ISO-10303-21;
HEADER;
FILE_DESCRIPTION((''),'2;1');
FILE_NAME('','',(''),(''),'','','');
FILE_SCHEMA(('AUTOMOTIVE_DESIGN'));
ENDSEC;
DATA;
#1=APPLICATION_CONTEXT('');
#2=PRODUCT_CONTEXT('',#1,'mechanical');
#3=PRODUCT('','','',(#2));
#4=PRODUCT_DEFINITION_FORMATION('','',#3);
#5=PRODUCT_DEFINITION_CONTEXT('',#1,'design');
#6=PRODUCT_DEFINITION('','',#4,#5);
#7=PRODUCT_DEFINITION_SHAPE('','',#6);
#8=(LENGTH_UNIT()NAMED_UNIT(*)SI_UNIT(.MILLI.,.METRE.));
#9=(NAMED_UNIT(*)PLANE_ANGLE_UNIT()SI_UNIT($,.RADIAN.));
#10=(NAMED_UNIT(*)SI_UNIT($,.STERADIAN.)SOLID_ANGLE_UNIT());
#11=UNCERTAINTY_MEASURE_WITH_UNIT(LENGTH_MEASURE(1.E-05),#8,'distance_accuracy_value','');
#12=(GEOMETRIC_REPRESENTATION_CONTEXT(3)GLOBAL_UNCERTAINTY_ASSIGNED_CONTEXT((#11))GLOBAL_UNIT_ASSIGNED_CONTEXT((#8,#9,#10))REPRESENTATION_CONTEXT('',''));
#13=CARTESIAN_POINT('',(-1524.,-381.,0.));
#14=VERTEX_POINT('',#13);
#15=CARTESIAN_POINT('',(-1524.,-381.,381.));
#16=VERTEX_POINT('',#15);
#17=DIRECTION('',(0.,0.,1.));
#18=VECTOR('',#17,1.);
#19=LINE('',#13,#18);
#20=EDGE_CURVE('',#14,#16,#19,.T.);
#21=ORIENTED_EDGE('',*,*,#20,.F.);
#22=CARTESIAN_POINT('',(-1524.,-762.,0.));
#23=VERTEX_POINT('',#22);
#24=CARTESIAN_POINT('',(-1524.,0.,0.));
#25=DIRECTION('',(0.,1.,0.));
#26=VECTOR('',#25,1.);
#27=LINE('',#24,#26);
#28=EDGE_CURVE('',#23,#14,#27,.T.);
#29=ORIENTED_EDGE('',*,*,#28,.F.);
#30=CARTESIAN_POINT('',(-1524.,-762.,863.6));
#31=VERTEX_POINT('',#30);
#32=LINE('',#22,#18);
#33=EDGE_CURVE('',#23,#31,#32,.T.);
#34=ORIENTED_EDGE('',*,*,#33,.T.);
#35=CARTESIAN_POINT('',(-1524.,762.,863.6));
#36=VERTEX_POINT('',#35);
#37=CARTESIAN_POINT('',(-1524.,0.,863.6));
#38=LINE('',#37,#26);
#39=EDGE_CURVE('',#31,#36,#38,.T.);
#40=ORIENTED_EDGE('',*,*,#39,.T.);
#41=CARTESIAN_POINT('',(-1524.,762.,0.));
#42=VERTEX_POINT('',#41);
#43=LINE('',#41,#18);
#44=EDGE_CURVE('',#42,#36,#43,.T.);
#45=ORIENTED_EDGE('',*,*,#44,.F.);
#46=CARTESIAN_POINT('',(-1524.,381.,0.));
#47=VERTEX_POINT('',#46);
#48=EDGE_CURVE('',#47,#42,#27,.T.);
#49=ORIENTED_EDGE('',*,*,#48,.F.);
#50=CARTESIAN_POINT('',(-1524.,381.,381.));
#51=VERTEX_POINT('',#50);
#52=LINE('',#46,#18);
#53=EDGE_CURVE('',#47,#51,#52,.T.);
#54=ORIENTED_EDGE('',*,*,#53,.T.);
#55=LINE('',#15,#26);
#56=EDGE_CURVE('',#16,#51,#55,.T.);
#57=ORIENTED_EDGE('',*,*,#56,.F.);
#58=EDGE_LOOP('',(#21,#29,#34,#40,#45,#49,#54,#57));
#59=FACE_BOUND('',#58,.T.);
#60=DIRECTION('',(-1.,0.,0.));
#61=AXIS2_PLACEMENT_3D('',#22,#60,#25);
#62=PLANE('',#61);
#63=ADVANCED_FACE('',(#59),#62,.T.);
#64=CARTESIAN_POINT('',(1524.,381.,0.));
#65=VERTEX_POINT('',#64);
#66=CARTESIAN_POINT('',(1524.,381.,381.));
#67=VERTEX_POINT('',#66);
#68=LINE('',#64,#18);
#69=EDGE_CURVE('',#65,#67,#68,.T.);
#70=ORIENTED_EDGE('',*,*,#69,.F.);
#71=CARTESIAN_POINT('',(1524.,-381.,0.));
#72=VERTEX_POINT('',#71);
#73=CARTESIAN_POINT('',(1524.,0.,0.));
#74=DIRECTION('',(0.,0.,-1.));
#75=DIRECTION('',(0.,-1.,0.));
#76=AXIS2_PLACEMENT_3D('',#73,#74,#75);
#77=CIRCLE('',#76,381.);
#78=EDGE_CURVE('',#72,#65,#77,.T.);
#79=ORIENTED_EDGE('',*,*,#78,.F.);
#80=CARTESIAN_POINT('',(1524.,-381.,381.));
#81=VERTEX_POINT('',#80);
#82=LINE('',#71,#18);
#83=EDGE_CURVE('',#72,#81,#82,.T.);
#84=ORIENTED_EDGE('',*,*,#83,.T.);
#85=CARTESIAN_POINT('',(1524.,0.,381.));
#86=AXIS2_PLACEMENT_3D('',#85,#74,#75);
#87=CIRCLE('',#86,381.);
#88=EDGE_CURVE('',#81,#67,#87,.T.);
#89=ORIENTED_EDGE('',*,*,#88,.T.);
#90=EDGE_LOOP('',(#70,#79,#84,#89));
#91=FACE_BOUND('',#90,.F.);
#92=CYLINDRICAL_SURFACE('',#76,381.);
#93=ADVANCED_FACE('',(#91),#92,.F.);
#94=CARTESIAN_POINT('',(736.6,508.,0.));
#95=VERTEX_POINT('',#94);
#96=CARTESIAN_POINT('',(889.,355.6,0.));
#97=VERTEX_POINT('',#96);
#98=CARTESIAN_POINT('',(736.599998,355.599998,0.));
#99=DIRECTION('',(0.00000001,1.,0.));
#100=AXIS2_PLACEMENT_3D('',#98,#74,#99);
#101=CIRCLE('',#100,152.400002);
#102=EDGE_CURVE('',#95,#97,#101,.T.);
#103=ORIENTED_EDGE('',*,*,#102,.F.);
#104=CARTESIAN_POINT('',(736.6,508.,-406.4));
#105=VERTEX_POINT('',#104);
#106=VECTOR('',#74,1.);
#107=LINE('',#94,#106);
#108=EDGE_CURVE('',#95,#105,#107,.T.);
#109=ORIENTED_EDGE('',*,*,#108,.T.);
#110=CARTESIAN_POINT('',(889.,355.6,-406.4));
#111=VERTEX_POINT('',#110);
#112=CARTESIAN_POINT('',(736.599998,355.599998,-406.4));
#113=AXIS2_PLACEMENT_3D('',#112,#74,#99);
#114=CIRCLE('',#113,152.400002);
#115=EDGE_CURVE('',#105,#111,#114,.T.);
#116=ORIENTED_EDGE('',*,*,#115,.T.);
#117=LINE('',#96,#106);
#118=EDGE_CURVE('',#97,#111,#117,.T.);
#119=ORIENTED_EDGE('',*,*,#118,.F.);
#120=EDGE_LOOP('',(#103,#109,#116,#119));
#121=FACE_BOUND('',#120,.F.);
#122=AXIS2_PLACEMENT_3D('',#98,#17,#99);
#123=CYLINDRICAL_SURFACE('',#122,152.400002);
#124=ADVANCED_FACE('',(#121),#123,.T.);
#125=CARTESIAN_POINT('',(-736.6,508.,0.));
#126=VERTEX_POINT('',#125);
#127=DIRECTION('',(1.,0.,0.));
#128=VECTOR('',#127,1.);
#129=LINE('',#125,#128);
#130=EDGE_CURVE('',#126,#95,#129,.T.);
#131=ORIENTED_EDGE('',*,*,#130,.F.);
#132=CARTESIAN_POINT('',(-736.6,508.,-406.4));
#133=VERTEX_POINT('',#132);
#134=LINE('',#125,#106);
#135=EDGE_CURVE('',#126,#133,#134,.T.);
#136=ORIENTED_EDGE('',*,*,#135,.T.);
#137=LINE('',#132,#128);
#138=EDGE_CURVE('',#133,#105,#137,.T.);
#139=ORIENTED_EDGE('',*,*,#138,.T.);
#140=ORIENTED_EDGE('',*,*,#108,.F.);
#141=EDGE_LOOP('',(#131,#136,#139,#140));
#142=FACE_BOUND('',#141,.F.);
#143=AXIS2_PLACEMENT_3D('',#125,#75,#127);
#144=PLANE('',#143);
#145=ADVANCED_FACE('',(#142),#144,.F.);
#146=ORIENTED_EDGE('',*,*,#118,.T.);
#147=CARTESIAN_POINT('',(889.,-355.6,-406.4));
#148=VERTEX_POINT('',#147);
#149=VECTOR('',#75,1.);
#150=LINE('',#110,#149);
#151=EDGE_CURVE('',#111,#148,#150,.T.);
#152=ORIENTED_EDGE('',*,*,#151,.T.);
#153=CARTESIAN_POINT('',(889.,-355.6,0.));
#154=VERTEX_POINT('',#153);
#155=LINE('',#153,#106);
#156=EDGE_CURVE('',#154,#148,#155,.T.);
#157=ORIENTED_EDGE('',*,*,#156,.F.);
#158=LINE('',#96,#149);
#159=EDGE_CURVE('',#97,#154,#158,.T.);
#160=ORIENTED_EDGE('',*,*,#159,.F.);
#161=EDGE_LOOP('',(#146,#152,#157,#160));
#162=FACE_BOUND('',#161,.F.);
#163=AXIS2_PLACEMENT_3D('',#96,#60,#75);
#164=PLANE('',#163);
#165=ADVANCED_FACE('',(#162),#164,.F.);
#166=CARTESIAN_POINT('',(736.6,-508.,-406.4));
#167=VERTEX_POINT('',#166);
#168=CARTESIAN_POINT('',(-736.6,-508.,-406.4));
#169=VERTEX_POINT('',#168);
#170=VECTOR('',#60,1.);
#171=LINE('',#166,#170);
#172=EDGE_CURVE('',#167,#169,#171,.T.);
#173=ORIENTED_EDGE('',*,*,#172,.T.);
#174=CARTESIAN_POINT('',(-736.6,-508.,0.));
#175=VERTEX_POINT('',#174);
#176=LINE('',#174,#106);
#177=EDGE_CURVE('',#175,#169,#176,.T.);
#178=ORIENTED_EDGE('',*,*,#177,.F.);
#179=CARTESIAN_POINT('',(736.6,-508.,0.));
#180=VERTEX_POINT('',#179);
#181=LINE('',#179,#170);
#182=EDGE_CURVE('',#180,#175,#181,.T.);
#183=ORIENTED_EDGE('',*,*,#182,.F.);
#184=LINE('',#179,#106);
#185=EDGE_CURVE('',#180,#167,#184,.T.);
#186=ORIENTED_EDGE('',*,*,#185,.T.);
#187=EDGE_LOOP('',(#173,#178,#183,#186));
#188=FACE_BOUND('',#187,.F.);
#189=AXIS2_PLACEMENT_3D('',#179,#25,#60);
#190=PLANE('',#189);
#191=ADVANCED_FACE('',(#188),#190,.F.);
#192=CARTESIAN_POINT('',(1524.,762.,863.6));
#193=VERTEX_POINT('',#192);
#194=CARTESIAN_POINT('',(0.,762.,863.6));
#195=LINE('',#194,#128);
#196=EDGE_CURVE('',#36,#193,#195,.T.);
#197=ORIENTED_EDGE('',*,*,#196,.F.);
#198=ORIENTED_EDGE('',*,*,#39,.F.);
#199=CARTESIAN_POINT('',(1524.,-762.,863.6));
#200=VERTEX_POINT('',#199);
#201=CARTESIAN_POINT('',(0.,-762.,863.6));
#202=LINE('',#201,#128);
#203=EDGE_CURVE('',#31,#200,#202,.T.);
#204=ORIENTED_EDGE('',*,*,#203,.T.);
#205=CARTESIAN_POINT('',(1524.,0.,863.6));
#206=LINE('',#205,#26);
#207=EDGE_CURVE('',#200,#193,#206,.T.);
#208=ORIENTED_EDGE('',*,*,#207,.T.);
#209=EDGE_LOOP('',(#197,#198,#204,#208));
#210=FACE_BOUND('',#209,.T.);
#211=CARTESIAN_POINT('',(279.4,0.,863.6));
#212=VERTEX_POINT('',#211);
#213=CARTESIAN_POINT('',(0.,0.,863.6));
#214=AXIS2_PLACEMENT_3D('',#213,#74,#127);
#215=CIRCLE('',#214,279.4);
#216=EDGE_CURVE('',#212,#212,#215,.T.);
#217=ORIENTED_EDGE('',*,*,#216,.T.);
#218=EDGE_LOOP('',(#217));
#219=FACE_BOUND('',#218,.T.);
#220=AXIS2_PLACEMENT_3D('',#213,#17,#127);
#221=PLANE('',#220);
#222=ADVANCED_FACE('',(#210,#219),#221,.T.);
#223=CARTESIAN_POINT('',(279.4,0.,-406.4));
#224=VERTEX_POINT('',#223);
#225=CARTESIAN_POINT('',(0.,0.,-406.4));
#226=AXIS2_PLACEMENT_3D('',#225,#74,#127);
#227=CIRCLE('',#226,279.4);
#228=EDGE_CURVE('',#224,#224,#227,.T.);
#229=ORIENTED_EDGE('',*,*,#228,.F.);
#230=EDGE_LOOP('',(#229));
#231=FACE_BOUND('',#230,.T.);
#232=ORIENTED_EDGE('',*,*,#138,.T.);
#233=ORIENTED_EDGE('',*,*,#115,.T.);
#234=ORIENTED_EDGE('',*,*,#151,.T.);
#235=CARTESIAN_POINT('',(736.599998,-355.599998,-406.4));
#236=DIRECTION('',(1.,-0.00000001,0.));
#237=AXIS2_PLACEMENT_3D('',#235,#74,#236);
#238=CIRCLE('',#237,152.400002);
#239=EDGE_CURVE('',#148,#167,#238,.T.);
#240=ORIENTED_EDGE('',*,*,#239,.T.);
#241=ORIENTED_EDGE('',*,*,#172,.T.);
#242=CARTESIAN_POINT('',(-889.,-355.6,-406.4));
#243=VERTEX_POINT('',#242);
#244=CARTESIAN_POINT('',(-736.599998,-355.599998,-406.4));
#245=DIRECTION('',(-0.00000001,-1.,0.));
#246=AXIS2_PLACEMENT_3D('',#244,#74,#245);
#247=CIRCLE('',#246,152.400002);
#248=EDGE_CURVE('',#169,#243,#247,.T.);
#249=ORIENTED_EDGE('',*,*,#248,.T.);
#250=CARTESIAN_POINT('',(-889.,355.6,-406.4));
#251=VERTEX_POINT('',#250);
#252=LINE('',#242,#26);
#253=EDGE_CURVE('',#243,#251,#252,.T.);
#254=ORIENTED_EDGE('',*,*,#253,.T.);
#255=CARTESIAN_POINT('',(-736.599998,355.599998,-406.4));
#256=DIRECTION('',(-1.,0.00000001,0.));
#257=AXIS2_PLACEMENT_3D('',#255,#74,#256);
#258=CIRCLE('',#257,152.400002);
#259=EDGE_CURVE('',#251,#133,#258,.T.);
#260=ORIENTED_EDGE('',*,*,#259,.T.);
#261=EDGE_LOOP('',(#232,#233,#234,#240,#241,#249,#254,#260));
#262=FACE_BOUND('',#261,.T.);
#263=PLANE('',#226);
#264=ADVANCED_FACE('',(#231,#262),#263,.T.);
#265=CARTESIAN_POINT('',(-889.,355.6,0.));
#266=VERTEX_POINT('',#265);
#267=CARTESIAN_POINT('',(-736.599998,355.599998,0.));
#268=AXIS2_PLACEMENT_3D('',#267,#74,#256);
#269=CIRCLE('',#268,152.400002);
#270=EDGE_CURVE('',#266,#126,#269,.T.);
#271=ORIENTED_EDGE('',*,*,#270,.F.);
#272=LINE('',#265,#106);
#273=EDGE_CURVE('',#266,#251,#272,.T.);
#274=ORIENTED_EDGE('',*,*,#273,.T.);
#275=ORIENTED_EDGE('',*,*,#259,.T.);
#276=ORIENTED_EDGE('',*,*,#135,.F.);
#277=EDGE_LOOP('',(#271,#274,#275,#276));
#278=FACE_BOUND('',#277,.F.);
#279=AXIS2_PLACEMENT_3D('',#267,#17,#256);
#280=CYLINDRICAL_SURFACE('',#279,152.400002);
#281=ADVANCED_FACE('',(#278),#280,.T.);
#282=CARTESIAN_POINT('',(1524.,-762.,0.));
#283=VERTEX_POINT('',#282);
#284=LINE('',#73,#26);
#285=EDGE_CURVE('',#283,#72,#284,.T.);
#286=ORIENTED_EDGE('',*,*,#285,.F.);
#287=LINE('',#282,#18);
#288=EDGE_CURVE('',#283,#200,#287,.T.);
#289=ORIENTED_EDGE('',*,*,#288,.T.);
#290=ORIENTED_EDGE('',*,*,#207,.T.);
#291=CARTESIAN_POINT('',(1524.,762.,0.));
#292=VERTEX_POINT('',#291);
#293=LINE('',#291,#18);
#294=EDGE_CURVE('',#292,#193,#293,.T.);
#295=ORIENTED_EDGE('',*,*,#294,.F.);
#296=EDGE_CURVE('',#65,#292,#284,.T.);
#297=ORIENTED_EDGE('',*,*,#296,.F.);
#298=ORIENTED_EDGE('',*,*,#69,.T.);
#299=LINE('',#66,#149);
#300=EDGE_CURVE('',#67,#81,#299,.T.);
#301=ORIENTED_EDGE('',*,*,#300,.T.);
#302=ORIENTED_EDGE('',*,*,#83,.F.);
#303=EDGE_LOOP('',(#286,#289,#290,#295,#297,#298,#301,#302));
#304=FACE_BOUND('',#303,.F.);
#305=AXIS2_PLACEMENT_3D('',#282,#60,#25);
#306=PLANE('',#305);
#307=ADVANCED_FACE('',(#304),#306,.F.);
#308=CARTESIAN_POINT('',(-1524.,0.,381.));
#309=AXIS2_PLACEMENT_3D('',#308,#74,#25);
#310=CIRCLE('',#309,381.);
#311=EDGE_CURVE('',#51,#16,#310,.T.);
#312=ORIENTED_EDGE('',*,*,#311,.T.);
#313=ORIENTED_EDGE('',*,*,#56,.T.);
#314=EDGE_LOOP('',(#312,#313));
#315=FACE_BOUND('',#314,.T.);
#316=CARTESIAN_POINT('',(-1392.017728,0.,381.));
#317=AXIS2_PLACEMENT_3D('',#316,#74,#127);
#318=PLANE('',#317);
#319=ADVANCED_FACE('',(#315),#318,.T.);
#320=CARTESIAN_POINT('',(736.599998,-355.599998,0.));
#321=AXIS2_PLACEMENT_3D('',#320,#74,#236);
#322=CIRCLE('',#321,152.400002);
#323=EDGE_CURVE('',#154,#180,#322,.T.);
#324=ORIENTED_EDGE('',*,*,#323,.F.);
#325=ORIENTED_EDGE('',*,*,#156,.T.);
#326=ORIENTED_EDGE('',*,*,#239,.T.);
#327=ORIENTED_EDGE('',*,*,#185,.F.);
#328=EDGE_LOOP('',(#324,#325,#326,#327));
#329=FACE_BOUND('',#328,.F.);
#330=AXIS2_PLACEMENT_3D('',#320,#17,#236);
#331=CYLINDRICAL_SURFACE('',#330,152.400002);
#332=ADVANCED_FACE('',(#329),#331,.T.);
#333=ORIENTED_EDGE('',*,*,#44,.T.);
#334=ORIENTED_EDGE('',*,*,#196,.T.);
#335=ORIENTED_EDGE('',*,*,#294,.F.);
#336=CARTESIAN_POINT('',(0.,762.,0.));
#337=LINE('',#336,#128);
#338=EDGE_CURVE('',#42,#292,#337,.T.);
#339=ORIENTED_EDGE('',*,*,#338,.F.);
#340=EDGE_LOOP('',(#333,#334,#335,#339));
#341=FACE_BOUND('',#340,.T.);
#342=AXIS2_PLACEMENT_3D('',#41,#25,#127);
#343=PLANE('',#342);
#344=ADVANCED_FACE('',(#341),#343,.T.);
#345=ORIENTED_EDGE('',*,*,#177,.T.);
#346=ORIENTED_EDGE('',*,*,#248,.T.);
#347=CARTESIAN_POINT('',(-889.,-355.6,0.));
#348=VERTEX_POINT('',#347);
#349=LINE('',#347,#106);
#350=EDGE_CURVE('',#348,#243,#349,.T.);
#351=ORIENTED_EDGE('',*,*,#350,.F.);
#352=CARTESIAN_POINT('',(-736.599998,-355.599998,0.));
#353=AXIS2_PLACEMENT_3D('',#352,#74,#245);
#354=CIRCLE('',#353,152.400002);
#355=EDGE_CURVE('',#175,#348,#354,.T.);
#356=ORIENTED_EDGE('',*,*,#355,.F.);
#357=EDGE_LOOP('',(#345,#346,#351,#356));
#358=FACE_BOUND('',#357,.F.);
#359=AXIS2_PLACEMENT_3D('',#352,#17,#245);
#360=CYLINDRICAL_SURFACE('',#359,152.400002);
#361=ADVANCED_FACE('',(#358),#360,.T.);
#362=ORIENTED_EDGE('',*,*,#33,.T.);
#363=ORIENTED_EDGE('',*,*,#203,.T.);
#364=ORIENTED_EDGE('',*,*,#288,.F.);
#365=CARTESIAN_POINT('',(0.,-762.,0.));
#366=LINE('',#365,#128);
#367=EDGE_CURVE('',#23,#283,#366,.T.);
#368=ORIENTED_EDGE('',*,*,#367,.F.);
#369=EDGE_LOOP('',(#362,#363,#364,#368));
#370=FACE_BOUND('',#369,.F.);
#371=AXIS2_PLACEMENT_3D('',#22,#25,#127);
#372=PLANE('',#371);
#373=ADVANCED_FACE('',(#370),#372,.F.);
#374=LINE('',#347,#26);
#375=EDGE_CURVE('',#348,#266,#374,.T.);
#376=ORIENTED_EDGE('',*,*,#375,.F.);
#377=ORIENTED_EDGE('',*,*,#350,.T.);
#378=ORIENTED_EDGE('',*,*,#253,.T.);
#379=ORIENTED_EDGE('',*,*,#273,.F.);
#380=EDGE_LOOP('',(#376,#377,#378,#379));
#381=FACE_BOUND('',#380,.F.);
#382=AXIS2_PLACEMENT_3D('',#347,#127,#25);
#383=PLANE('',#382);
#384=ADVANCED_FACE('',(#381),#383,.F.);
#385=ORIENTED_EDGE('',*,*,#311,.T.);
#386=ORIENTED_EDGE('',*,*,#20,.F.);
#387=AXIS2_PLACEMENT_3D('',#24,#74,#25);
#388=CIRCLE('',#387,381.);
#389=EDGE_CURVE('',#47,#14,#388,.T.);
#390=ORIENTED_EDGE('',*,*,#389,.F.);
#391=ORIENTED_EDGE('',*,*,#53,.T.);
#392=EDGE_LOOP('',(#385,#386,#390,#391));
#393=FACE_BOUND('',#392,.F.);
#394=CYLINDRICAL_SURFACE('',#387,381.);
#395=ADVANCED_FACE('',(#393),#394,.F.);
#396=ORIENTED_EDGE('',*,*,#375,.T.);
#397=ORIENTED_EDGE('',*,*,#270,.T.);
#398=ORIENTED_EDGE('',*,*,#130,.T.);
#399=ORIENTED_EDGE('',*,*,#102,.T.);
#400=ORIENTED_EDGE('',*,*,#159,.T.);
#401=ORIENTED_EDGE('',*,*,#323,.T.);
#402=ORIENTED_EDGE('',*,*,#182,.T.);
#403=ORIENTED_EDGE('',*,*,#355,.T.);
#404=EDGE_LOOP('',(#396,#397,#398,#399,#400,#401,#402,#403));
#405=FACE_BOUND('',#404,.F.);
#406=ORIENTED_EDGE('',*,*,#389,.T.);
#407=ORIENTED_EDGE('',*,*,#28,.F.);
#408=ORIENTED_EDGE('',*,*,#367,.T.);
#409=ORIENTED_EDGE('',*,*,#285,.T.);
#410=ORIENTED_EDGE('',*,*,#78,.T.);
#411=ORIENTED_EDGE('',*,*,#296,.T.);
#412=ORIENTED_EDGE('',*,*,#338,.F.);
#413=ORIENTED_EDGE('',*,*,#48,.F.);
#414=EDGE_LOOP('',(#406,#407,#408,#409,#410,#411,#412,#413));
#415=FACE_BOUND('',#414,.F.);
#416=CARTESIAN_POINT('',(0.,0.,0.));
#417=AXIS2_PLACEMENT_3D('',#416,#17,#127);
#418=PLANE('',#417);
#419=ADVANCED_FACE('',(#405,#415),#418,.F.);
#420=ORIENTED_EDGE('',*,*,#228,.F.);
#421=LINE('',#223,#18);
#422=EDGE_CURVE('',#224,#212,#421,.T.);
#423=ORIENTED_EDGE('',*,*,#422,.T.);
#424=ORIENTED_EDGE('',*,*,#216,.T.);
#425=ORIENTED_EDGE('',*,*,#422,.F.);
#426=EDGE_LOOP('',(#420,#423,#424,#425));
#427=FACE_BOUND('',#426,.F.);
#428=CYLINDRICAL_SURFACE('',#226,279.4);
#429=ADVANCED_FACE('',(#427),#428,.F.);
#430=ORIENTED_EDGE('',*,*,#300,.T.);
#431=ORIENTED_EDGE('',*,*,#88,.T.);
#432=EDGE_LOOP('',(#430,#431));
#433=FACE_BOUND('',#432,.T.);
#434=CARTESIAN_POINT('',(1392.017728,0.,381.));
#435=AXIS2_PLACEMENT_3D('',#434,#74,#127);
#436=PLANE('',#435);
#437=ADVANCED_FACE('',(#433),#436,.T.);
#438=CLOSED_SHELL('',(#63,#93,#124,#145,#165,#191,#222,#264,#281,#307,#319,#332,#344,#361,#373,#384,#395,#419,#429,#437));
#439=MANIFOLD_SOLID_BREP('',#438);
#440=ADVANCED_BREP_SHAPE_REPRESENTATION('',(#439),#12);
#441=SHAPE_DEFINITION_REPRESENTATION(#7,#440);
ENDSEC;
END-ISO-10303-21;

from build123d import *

# Parameters (mm, degrees)
F0_W     = 3048
F0_H     = 1524
F1_DEPTH = 863.6
F3_DEPTH = 381
F5_DEPTH = 406.4
F6_R     = 279.4
F7_DEPTH = 1270.001


with BuildPart() as f1:
    # F0 (on Top) → F1 (new body)
    with BuildSketch(Plane.XY):
        Rectangle(F0_W, F0_H)
    extrude(amount=F1_DEPTH)

    # F2 (on face) → F3 (cut)
    with BuildSketch(Plane(origin=(0, 0, 0), x_dir=(1, 0, 0), z_dir=(0, 0, -1))):
        with BuildLine():
            ThreePointArc((-1524, -381), (-1143, 0), (-1524, 381))
            Line((-1524, 381), (-1524, -381))
        make_face()
        with BuildLine():
            Line((1524, -381), (1524, 381))
            ThreePointArc((1524, 381), (1143, 0), (1524, -381))
        make_face()
    extrude(amount=-F3_DEPTH, mode=Mode.SUBTRACT)

    # F4 (on face) → F5 (join)
    with BuildSketch(Plane(origin=(0, 0, 0), x_dir=(1, 0, 0), z_dir=(0, 0, -1))):
        with BuildLine():
            ThreePointArc((889, 355.6), (844.363073, 463.363073), (736.6, 508))
            Line((736.6, 508), (-736.6, 508))
            ThreePointArc((-736.6, 508), (-844.363073, 463.363073), (-889, 355.6))
            Line((-889, 355.6), (-889, -355.6))
            ThreePointArc((-889, -355.6), (-844.363073, -463.363073), (-736.6, -508))
            Line((-736.6, -508), (736.6, -508))
            ThreePointArc((736.6, -508), (844.363073, -463.363073), (889, -355.6))
            Line((889, -355.6), (889, 355.6))
        make_face()
    extrude(amount=F5_DEPTH)

    # F6 (on face) → F7 (cut, through all)
    with BuildSketch(Plane(origin=(0, 0, -406.4), x_dir=(1, 0, 0), z_dir=(0, 0, -1))):
        Circle(F6_R)
    extrude(amount=-F7_DEPTH, mode=Mode.SUBTRACT)


solid = f1.part
